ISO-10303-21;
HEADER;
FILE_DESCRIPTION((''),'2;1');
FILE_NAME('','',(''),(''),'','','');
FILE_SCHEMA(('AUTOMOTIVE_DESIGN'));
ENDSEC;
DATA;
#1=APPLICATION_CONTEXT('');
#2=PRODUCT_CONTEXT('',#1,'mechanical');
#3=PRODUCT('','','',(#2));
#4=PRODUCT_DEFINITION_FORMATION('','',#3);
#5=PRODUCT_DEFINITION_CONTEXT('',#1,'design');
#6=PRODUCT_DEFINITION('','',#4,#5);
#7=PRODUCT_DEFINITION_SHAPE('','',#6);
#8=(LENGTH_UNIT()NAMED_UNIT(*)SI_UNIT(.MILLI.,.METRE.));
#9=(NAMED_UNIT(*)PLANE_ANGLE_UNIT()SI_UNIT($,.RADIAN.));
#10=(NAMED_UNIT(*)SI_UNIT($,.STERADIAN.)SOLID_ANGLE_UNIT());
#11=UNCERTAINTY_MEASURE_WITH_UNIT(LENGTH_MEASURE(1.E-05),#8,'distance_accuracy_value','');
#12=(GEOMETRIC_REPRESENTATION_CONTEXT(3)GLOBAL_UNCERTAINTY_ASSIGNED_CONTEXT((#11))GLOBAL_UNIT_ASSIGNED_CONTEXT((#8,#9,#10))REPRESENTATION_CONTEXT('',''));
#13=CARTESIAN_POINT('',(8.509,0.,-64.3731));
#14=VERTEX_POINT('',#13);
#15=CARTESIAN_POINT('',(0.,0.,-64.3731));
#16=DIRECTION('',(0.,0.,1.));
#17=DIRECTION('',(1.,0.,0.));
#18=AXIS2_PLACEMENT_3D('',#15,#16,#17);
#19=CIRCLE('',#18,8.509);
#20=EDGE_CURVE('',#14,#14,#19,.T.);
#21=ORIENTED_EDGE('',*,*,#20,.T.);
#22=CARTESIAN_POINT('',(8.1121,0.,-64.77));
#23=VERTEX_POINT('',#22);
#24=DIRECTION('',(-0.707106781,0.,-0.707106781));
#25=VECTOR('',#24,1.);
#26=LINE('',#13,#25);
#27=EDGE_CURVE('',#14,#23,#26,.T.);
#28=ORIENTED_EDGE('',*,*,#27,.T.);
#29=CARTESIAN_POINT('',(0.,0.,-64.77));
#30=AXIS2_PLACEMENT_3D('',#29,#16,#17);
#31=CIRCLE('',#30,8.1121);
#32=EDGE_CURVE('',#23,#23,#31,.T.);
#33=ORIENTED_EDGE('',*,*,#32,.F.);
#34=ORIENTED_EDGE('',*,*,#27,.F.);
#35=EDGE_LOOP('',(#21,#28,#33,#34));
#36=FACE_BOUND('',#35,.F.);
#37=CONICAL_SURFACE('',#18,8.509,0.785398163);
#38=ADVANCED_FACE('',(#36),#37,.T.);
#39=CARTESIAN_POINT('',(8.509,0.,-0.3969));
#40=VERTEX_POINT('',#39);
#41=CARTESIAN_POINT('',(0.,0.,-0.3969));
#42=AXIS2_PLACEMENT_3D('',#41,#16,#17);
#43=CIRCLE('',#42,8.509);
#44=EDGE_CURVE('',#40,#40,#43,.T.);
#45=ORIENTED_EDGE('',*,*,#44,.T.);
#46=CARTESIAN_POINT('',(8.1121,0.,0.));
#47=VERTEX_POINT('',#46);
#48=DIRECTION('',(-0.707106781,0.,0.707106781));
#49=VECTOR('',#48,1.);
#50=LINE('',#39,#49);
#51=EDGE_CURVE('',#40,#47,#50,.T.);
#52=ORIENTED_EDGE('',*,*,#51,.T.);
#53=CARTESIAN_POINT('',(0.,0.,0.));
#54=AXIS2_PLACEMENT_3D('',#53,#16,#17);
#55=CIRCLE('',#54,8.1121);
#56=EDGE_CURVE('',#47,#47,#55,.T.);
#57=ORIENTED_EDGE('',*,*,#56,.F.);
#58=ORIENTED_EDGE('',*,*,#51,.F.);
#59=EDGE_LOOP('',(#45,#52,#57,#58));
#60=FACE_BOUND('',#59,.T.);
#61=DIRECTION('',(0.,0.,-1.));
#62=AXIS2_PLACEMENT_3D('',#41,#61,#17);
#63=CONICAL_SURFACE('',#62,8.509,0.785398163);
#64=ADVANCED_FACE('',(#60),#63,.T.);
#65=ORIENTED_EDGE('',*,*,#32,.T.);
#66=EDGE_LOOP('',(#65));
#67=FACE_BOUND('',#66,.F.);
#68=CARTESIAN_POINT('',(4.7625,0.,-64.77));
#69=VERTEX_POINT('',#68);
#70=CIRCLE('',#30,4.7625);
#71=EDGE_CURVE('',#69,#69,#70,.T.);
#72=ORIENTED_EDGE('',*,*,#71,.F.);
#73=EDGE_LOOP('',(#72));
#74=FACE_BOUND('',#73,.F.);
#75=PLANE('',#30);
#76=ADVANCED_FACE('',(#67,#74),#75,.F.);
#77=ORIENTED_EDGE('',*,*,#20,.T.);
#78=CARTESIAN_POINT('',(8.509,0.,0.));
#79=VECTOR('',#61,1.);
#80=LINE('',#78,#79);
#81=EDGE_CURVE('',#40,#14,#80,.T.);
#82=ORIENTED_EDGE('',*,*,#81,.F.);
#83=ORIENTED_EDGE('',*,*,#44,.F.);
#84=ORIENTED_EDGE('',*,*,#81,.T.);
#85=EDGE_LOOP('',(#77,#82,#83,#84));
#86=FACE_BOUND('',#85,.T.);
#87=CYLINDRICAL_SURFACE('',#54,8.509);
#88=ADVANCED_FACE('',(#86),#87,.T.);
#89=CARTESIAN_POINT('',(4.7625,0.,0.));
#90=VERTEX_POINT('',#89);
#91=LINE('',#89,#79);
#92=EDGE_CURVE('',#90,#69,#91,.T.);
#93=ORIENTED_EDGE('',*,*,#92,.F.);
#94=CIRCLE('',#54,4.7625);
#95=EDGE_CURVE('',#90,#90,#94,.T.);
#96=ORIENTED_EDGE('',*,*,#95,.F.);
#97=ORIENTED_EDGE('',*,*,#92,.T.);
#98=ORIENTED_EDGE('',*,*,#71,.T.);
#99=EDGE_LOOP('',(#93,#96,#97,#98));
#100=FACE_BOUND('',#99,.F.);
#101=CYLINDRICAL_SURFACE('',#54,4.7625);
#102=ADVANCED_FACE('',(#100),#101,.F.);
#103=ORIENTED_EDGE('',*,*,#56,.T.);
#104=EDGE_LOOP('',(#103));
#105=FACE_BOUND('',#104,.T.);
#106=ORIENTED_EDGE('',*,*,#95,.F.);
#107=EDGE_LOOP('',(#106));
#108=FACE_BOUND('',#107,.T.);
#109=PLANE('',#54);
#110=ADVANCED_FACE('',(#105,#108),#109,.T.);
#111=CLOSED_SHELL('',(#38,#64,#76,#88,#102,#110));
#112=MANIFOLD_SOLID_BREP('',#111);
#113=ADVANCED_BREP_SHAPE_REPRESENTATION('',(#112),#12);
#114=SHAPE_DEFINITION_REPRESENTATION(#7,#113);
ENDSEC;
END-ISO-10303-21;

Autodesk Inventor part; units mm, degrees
ref_plane "YZ Plane" through (0, 0, 0) normal (1, 0, 0) x (0, 1, 0)
ref_plane "XZ Plane" through (0, 0, 0) normal (0, 1, 0) x (-1, 0, 0)
ref_plane "XY Plane" through (0, 0, 0) normal (0, 0, 1) x (1, 0, 0)
sketch "Sketch1" plane through (0, 0, 0) normal (0, 0, 1) x (1, 0, 0)
  circle A0 centre (0, 0) radius 4.7625
  circle A1 centre (0, 0) radius 8.509
  dimension "d0" = 9.525
  dimension "d1" = 17.018
extrude "Extrusion1" add sketch "Sketch1" against normal blind 64.77
chamfer "Chamfer1" distance 0.3969 angle 45 2 edges at (-8.509, 0, 0) (-8.509, 0, -64.77)
properties part number "am-0754"
